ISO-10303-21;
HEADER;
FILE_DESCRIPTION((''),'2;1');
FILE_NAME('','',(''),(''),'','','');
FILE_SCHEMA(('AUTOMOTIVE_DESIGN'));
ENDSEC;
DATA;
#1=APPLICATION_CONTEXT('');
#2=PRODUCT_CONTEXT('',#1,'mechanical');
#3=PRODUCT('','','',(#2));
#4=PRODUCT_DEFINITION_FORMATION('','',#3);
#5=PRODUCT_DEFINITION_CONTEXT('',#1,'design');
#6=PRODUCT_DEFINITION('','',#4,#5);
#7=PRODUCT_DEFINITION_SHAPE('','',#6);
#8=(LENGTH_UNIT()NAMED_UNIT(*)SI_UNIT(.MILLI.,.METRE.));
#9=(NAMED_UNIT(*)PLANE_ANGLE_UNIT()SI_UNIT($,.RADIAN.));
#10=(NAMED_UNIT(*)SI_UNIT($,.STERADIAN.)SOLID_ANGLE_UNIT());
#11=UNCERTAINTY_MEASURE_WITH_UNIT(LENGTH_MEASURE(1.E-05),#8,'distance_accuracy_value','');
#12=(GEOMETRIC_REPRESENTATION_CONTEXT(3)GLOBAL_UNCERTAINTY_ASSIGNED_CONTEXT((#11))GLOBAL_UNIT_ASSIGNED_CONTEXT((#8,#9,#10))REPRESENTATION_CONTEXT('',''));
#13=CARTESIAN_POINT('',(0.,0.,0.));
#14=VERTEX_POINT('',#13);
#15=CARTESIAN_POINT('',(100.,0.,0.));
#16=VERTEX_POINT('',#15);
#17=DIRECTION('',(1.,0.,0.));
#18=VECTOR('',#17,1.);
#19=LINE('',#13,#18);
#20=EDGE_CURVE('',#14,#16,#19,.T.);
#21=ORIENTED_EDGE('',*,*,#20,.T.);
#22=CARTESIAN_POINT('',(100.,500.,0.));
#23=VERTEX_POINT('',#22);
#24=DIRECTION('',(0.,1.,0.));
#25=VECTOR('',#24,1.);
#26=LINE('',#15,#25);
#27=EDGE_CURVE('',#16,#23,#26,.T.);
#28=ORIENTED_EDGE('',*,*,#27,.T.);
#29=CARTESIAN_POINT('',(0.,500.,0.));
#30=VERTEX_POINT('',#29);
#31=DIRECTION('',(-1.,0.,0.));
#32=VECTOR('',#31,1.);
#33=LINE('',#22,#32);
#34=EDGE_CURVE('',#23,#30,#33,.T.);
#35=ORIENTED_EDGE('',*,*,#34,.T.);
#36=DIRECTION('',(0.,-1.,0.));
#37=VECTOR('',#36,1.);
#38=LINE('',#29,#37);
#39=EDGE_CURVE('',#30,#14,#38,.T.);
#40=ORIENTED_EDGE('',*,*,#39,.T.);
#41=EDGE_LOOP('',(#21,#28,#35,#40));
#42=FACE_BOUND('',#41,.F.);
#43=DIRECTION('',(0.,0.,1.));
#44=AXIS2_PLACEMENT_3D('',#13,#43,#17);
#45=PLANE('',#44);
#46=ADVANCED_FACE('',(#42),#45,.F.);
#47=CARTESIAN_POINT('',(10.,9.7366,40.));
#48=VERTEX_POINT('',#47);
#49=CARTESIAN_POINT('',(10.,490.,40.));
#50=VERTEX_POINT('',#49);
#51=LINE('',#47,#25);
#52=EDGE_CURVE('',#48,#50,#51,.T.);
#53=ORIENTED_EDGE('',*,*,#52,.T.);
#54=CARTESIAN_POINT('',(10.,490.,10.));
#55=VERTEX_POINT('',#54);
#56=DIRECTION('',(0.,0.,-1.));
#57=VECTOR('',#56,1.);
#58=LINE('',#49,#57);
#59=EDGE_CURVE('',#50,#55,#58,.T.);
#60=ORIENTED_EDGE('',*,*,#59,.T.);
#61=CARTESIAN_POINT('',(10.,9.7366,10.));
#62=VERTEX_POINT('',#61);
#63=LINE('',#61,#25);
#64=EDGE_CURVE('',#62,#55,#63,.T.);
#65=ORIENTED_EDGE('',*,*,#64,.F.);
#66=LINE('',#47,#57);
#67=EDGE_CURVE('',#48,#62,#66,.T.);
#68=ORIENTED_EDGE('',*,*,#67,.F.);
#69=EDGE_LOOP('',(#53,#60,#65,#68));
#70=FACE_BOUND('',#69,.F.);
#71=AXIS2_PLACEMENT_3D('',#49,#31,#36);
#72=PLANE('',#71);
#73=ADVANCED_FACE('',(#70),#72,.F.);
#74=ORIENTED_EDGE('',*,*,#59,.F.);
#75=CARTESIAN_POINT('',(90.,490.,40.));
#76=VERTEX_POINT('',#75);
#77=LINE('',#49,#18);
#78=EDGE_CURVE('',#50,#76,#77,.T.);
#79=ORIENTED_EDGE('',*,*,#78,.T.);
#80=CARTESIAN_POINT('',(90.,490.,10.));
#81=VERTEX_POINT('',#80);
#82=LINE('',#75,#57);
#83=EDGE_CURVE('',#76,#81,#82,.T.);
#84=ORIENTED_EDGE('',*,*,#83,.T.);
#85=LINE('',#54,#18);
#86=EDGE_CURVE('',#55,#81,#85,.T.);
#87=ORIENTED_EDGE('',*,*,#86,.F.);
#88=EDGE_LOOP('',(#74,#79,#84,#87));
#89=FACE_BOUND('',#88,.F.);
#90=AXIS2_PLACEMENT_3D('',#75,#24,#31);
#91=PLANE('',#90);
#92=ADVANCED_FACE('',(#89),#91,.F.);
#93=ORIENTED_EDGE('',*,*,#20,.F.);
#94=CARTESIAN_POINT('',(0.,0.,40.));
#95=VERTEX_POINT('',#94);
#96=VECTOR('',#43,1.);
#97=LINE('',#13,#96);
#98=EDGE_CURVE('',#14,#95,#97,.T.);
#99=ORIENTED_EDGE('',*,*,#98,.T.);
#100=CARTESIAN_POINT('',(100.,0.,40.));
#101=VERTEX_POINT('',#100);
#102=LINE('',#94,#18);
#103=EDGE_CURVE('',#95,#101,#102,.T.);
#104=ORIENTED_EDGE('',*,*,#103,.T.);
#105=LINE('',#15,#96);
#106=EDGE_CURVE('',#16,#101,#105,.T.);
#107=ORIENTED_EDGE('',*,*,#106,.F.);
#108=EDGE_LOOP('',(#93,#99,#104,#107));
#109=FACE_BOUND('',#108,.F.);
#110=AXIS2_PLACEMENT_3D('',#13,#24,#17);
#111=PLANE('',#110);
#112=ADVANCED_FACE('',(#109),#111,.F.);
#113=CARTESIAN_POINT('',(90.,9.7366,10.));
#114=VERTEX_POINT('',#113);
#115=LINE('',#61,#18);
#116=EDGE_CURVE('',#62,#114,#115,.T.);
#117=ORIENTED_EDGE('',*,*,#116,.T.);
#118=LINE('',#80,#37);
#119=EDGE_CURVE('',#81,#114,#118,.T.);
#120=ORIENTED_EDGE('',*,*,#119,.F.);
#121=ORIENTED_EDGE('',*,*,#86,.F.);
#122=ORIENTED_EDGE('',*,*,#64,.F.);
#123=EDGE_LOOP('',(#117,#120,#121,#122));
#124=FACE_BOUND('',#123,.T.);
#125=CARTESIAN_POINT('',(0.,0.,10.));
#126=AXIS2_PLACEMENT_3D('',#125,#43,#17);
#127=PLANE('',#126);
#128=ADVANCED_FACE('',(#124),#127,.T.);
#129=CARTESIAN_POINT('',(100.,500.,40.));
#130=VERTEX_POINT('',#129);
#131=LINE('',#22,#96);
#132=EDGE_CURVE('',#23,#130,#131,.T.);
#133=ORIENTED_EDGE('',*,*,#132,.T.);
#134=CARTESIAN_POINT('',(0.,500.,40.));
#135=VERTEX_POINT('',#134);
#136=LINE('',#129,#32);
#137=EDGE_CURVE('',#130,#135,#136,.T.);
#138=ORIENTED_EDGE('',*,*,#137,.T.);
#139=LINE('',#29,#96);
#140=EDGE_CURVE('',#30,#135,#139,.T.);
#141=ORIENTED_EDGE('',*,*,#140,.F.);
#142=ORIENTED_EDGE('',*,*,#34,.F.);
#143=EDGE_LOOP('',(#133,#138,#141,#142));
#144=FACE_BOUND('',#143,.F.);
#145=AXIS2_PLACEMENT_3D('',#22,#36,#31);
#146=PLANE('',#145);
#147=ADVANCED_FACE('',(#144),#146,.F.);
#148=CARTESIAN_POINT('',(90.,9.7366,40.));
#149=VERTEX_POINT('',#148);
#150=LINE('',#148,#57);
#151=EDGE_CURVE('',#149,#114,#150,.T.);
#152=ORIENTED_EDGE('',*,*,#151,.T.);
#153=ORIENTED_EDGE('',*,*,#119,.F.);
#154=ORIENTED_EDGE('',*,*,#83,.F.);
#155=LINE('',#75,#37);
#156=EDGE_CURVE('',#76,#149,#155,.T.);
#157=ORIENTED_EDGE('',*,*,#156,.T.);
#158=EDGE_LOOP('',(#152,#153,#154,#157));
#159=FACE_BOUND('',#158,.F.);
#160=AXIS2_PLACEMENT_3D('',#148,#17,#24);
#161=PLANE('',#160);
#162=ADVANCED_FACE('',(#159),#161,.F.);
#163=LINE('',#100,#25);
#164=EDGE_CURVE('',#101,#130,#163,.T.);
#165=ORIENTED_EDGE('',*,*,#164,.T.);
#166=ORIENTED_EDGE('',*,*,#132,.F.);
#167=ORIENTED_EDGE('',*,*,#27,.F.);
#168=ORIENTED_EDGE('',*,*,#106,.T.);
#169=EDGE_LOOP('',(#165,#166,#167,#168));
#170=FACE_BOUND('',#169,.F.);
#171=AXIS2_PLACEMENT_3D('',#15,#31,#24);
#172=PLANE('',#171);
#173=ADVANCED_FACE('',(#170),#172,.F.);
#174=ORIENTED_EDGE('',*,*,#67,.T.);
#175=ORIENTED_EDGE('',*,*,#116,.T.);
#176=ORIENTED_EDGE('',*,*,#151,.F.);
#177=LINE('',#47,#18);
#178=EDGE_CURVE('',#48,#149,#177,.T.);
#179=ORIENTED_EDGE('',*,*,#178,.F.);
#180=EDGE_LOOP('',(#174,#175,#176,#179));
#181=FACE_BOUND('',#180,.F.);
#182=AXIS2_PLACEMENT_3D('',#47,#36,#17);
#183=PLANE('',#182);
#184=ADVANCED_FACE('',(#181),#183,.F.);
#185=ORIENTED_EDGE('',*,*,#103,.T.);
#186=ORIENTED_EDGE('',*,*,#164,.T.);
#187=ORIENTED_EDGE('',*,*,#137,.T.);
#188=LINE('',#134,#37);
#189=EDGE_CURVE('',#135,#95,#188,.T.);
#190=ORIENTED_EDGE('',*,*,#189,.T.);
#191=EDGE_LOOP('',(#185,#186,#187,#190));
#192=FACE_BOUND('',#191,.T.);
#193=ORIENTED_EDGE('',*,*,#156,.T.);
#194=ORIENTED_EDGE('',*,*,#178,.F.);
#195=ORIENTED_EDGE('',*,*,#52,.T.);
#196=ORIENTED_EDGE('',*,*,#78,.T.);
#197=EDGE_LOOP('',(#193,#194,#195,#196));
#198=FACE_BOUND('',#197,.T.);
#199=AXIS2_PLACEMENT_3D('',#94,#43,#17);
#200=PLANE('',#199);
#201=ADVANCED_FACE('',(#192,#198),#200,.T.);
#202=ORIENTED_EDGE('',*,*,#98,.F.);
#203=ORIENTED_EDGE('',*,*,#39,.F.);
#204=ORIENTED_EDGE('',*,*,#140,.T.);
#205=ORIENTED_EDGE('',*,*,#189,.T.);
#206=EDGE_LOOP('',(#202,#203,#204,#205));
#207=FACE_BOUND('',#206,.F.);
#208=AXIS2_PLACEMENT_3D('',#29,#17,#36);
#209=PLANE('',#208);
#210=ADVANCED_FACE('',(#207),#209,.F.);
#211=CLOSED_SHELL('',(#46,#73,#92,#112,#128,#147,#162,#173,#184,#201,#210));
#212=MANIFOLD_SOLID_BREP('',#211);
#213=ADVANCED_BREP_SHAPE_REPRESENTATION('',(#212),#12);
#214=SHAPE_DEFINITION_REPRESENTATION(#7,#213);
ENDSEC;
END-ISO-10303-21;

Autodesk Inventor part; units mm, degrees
ref_plane "YZ Plane" through (0, 0, 0) normal (1, 0, 0) x (0, 1, 0)
ref_plane "XZ Plane" through (0, 0, 0) normal (0, 1, 0) x (-1, 0, 0)
ref_plane "XY Plane" through (0, 0, 0) normal (0, 0, 1) x (1, 0, 0)
sketch "Sketch1" plane through (0, 0, 0) normal (0, 0, 1) x (1, 0, 0)
  line L0 (0, 0) -> (100, 0)
  line L1 (100, 0) -> (100, 500)
  line L2 (100, 500) -> (0, 500)
  line L3 (0, 500) -> (0, 0)
  dimension "d0" = 100
  dimension "d1" = 500
extrude "Extrusion1" add sketch "Sketch1" along normal blind 40
sketch "Sketch2" plane through (0, 0, 40) normal (0, 0, 1) x (1, 0, 0)
  line L0 (0, 0) -> (100, 0) projected
  line L1 (50, 0) -> (50, 10)
  dimension "d4" = 10
sketch "Sketch3" plane through (0, 0, 40) normal (0, 0, 1) x (1, 0, 0)
  line L0 (100, 500) -> (0, 500) projected
  line L1 (50, 500) -> (50, 490)
  line L2 (100, 0) -> (100, 500) projected
  line L3 (100, 250) -> (90, 250)
  line L4 (0, 500) -> (0, 0) projected
  line L5 (0, 250) -> (10, 250)
  line L6 (90, 490) -> (10, 490)
  line L7 (10, 490) -> (10, 9.7366)
  line L8 (10, 9.7366) -> (90, 9.7366)
  line L9 (90, 9.7366) -> (90, 490)
  dimension "d5" = 10
  dimension "d7" = 10
extrude "Extrusion2" cut sketch "Sketch3" against normal blind 30 contours L6 L9 L8 L7
properties part number "S.hollow box"
